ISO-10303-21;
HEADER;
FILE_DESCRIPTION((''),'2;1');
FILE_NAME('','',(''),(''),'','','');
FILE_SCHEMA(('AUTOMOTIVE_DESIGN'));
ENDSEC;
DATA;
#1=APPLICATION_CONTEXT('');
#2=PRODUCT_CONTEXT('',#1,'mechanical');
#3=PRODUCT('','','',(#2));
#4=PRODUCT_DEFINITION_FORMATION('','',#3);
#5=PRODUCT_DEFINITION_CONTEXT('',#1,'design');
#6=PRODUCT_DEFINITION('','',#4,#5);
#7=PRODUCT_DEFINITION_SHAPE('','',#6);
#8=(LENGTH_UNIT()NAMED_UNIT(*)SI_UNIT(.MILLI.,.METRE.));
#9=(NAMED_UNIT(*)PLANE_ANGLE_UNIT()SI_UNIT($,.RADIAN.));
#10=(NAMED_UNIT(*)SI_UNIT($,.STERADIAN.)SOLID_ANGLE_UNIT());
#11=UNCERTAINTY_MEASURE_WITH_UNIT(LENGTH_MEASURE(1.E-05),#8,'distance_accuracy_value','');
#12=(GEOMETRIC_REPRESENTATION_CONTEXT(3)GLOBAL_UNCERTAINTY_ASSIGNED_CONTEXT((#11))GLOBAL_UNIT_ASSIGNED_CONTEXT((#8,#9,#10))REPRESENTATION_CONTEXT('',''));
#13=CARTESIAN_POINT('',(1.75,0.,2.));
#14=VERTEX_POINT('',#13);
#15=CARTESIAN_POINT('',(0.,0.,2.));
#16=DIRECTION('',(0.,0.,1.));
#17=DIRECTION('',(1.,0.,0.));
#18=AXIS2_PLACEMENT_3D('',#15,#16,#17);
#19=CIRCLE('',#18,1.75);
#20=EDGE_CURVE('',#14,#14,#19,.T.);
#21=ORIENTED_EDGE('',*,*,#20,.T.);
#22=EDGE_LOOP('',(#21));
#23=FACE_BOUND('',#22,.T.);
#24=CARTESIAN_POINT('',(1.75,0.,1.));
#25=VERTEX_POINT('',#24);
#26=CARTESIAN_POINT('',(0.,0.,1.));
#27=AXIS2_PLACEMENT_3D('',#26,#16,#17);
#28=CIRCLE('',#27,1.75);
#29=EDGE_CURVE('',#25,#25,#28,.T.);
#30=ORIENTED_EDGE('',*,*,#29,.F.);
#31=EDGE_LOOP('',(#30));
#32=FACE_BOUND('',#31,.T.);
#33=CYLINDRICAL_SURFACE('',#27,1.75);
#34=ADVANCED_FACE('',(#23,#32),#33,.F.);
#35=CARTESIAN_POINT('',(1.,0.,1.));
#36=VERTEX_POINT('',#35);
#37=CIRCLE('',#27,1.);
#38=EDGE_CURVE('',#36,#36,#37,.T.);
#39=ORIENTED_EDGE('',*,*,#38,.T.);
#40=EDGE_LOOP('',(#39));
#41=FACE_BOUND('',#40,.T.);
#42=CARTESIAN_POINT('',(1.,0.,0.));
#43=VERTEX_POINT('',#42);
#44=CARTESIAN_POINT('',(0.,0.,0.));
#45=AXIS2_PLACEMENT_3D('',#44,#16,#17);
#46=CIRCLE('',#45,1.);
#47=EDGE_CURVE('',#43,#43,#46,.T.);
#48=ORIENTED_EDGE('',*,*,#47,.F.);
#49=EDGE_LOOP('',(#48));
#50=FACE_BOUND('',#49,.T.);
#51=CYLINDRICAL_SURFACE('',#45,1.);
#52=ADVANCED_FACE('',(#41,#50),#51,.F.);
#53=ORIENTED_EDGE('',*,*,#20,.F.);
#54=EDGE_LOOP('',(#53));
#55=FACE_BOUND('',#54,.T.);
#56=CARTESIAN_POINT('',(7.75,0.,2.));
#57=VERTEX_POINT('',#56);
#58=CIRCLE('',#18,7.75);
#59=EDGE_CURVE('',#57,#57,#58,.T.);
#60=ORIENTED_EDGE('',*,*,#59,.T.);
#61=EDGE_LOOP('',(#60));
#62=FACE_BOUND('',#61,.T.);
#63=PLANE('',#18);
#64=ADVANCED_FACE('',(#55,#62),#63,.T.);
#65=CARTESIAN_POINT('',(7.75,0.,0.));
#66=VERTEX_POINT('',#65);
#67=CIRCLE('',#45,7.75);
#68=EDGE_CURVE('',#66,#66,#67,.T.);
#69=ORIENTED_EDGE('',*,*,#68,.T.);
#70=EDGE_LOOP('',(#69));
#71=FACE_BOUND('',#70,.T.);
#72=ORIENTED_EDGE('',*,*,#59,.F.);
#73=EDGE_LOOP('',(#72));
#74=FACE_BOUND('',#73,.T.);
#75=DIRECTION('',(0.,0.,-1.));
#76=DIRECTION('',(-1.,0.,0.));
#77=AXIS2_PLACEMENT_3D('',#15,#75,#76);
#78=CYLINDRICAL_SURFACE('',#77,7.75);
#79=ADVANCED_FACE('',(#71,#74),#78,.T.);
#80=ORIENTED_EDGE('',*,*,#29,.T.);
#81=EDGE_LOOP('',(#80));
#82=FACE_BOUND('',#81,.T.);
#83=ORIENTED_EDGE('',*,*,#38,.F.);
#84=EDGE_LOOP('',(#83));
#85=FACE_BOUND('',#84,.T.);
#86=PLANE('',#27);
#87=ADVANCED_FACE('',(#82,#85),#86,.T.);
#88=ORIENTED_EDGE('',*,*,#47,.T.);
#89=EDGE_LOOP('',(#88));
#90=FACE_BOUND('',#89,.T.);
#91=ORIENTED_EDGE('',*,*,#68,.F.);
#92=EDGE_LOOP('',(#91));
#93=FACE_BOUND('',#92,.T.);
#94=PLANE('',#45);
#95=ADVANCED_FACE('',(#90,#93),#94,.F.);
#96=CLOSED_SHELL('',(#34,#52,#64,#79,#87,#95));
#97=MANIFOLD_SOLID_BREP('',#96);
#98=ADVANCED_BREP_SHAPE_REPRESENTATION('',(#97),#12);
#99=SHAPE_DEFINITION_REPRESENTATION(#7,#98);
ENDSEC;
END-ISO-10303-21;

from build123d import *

# Parameters (mm, degrees)
SKETCH_1_R          = 7.75
EXTRUDE_1_DEPTH     = 2
SKETCH_2_R          = 1
CUT_EXTRUDE_1_DEPTH = 12.141139978
SKETCH_2_3_R        = 1.75
SKETCH_2_3_R_2      = 1
CUT_EXTRUDE_2_DEPTH = 1


with BuildPart() as part:
    # 草图1 → 凸台-拉伸1 (new body)
    with BuildSketch(Plane.XY):
        Circle(SKETCH_1_R)
    extrude(amount=EXTRUDE_1_DEPTH)

    # 草图2 → 切除-拉伸1 (cut, through all)
    with BuildSketch(Plane.XY.offset(2)):
        Circle(SKETCH_2_R)
    extrude(amount=-CUT_EXTRUDE_1_DEPTH, mode=Mode.SUBTRACT)

    # 草图2<3> → 切除-拉伸2 (cut)
    with BuildSketch(Plane.XY.offset(2)):
        Circle(SKETCH_2_3_R)
        Circle(SKETCH_2_3_R_2, mode=Mode.SUBTRACT)
    extrude(amount=-CUT_EXTRUDE_2_DEPTH, mode=Mode.SUBTRACT)


solid = part.part
